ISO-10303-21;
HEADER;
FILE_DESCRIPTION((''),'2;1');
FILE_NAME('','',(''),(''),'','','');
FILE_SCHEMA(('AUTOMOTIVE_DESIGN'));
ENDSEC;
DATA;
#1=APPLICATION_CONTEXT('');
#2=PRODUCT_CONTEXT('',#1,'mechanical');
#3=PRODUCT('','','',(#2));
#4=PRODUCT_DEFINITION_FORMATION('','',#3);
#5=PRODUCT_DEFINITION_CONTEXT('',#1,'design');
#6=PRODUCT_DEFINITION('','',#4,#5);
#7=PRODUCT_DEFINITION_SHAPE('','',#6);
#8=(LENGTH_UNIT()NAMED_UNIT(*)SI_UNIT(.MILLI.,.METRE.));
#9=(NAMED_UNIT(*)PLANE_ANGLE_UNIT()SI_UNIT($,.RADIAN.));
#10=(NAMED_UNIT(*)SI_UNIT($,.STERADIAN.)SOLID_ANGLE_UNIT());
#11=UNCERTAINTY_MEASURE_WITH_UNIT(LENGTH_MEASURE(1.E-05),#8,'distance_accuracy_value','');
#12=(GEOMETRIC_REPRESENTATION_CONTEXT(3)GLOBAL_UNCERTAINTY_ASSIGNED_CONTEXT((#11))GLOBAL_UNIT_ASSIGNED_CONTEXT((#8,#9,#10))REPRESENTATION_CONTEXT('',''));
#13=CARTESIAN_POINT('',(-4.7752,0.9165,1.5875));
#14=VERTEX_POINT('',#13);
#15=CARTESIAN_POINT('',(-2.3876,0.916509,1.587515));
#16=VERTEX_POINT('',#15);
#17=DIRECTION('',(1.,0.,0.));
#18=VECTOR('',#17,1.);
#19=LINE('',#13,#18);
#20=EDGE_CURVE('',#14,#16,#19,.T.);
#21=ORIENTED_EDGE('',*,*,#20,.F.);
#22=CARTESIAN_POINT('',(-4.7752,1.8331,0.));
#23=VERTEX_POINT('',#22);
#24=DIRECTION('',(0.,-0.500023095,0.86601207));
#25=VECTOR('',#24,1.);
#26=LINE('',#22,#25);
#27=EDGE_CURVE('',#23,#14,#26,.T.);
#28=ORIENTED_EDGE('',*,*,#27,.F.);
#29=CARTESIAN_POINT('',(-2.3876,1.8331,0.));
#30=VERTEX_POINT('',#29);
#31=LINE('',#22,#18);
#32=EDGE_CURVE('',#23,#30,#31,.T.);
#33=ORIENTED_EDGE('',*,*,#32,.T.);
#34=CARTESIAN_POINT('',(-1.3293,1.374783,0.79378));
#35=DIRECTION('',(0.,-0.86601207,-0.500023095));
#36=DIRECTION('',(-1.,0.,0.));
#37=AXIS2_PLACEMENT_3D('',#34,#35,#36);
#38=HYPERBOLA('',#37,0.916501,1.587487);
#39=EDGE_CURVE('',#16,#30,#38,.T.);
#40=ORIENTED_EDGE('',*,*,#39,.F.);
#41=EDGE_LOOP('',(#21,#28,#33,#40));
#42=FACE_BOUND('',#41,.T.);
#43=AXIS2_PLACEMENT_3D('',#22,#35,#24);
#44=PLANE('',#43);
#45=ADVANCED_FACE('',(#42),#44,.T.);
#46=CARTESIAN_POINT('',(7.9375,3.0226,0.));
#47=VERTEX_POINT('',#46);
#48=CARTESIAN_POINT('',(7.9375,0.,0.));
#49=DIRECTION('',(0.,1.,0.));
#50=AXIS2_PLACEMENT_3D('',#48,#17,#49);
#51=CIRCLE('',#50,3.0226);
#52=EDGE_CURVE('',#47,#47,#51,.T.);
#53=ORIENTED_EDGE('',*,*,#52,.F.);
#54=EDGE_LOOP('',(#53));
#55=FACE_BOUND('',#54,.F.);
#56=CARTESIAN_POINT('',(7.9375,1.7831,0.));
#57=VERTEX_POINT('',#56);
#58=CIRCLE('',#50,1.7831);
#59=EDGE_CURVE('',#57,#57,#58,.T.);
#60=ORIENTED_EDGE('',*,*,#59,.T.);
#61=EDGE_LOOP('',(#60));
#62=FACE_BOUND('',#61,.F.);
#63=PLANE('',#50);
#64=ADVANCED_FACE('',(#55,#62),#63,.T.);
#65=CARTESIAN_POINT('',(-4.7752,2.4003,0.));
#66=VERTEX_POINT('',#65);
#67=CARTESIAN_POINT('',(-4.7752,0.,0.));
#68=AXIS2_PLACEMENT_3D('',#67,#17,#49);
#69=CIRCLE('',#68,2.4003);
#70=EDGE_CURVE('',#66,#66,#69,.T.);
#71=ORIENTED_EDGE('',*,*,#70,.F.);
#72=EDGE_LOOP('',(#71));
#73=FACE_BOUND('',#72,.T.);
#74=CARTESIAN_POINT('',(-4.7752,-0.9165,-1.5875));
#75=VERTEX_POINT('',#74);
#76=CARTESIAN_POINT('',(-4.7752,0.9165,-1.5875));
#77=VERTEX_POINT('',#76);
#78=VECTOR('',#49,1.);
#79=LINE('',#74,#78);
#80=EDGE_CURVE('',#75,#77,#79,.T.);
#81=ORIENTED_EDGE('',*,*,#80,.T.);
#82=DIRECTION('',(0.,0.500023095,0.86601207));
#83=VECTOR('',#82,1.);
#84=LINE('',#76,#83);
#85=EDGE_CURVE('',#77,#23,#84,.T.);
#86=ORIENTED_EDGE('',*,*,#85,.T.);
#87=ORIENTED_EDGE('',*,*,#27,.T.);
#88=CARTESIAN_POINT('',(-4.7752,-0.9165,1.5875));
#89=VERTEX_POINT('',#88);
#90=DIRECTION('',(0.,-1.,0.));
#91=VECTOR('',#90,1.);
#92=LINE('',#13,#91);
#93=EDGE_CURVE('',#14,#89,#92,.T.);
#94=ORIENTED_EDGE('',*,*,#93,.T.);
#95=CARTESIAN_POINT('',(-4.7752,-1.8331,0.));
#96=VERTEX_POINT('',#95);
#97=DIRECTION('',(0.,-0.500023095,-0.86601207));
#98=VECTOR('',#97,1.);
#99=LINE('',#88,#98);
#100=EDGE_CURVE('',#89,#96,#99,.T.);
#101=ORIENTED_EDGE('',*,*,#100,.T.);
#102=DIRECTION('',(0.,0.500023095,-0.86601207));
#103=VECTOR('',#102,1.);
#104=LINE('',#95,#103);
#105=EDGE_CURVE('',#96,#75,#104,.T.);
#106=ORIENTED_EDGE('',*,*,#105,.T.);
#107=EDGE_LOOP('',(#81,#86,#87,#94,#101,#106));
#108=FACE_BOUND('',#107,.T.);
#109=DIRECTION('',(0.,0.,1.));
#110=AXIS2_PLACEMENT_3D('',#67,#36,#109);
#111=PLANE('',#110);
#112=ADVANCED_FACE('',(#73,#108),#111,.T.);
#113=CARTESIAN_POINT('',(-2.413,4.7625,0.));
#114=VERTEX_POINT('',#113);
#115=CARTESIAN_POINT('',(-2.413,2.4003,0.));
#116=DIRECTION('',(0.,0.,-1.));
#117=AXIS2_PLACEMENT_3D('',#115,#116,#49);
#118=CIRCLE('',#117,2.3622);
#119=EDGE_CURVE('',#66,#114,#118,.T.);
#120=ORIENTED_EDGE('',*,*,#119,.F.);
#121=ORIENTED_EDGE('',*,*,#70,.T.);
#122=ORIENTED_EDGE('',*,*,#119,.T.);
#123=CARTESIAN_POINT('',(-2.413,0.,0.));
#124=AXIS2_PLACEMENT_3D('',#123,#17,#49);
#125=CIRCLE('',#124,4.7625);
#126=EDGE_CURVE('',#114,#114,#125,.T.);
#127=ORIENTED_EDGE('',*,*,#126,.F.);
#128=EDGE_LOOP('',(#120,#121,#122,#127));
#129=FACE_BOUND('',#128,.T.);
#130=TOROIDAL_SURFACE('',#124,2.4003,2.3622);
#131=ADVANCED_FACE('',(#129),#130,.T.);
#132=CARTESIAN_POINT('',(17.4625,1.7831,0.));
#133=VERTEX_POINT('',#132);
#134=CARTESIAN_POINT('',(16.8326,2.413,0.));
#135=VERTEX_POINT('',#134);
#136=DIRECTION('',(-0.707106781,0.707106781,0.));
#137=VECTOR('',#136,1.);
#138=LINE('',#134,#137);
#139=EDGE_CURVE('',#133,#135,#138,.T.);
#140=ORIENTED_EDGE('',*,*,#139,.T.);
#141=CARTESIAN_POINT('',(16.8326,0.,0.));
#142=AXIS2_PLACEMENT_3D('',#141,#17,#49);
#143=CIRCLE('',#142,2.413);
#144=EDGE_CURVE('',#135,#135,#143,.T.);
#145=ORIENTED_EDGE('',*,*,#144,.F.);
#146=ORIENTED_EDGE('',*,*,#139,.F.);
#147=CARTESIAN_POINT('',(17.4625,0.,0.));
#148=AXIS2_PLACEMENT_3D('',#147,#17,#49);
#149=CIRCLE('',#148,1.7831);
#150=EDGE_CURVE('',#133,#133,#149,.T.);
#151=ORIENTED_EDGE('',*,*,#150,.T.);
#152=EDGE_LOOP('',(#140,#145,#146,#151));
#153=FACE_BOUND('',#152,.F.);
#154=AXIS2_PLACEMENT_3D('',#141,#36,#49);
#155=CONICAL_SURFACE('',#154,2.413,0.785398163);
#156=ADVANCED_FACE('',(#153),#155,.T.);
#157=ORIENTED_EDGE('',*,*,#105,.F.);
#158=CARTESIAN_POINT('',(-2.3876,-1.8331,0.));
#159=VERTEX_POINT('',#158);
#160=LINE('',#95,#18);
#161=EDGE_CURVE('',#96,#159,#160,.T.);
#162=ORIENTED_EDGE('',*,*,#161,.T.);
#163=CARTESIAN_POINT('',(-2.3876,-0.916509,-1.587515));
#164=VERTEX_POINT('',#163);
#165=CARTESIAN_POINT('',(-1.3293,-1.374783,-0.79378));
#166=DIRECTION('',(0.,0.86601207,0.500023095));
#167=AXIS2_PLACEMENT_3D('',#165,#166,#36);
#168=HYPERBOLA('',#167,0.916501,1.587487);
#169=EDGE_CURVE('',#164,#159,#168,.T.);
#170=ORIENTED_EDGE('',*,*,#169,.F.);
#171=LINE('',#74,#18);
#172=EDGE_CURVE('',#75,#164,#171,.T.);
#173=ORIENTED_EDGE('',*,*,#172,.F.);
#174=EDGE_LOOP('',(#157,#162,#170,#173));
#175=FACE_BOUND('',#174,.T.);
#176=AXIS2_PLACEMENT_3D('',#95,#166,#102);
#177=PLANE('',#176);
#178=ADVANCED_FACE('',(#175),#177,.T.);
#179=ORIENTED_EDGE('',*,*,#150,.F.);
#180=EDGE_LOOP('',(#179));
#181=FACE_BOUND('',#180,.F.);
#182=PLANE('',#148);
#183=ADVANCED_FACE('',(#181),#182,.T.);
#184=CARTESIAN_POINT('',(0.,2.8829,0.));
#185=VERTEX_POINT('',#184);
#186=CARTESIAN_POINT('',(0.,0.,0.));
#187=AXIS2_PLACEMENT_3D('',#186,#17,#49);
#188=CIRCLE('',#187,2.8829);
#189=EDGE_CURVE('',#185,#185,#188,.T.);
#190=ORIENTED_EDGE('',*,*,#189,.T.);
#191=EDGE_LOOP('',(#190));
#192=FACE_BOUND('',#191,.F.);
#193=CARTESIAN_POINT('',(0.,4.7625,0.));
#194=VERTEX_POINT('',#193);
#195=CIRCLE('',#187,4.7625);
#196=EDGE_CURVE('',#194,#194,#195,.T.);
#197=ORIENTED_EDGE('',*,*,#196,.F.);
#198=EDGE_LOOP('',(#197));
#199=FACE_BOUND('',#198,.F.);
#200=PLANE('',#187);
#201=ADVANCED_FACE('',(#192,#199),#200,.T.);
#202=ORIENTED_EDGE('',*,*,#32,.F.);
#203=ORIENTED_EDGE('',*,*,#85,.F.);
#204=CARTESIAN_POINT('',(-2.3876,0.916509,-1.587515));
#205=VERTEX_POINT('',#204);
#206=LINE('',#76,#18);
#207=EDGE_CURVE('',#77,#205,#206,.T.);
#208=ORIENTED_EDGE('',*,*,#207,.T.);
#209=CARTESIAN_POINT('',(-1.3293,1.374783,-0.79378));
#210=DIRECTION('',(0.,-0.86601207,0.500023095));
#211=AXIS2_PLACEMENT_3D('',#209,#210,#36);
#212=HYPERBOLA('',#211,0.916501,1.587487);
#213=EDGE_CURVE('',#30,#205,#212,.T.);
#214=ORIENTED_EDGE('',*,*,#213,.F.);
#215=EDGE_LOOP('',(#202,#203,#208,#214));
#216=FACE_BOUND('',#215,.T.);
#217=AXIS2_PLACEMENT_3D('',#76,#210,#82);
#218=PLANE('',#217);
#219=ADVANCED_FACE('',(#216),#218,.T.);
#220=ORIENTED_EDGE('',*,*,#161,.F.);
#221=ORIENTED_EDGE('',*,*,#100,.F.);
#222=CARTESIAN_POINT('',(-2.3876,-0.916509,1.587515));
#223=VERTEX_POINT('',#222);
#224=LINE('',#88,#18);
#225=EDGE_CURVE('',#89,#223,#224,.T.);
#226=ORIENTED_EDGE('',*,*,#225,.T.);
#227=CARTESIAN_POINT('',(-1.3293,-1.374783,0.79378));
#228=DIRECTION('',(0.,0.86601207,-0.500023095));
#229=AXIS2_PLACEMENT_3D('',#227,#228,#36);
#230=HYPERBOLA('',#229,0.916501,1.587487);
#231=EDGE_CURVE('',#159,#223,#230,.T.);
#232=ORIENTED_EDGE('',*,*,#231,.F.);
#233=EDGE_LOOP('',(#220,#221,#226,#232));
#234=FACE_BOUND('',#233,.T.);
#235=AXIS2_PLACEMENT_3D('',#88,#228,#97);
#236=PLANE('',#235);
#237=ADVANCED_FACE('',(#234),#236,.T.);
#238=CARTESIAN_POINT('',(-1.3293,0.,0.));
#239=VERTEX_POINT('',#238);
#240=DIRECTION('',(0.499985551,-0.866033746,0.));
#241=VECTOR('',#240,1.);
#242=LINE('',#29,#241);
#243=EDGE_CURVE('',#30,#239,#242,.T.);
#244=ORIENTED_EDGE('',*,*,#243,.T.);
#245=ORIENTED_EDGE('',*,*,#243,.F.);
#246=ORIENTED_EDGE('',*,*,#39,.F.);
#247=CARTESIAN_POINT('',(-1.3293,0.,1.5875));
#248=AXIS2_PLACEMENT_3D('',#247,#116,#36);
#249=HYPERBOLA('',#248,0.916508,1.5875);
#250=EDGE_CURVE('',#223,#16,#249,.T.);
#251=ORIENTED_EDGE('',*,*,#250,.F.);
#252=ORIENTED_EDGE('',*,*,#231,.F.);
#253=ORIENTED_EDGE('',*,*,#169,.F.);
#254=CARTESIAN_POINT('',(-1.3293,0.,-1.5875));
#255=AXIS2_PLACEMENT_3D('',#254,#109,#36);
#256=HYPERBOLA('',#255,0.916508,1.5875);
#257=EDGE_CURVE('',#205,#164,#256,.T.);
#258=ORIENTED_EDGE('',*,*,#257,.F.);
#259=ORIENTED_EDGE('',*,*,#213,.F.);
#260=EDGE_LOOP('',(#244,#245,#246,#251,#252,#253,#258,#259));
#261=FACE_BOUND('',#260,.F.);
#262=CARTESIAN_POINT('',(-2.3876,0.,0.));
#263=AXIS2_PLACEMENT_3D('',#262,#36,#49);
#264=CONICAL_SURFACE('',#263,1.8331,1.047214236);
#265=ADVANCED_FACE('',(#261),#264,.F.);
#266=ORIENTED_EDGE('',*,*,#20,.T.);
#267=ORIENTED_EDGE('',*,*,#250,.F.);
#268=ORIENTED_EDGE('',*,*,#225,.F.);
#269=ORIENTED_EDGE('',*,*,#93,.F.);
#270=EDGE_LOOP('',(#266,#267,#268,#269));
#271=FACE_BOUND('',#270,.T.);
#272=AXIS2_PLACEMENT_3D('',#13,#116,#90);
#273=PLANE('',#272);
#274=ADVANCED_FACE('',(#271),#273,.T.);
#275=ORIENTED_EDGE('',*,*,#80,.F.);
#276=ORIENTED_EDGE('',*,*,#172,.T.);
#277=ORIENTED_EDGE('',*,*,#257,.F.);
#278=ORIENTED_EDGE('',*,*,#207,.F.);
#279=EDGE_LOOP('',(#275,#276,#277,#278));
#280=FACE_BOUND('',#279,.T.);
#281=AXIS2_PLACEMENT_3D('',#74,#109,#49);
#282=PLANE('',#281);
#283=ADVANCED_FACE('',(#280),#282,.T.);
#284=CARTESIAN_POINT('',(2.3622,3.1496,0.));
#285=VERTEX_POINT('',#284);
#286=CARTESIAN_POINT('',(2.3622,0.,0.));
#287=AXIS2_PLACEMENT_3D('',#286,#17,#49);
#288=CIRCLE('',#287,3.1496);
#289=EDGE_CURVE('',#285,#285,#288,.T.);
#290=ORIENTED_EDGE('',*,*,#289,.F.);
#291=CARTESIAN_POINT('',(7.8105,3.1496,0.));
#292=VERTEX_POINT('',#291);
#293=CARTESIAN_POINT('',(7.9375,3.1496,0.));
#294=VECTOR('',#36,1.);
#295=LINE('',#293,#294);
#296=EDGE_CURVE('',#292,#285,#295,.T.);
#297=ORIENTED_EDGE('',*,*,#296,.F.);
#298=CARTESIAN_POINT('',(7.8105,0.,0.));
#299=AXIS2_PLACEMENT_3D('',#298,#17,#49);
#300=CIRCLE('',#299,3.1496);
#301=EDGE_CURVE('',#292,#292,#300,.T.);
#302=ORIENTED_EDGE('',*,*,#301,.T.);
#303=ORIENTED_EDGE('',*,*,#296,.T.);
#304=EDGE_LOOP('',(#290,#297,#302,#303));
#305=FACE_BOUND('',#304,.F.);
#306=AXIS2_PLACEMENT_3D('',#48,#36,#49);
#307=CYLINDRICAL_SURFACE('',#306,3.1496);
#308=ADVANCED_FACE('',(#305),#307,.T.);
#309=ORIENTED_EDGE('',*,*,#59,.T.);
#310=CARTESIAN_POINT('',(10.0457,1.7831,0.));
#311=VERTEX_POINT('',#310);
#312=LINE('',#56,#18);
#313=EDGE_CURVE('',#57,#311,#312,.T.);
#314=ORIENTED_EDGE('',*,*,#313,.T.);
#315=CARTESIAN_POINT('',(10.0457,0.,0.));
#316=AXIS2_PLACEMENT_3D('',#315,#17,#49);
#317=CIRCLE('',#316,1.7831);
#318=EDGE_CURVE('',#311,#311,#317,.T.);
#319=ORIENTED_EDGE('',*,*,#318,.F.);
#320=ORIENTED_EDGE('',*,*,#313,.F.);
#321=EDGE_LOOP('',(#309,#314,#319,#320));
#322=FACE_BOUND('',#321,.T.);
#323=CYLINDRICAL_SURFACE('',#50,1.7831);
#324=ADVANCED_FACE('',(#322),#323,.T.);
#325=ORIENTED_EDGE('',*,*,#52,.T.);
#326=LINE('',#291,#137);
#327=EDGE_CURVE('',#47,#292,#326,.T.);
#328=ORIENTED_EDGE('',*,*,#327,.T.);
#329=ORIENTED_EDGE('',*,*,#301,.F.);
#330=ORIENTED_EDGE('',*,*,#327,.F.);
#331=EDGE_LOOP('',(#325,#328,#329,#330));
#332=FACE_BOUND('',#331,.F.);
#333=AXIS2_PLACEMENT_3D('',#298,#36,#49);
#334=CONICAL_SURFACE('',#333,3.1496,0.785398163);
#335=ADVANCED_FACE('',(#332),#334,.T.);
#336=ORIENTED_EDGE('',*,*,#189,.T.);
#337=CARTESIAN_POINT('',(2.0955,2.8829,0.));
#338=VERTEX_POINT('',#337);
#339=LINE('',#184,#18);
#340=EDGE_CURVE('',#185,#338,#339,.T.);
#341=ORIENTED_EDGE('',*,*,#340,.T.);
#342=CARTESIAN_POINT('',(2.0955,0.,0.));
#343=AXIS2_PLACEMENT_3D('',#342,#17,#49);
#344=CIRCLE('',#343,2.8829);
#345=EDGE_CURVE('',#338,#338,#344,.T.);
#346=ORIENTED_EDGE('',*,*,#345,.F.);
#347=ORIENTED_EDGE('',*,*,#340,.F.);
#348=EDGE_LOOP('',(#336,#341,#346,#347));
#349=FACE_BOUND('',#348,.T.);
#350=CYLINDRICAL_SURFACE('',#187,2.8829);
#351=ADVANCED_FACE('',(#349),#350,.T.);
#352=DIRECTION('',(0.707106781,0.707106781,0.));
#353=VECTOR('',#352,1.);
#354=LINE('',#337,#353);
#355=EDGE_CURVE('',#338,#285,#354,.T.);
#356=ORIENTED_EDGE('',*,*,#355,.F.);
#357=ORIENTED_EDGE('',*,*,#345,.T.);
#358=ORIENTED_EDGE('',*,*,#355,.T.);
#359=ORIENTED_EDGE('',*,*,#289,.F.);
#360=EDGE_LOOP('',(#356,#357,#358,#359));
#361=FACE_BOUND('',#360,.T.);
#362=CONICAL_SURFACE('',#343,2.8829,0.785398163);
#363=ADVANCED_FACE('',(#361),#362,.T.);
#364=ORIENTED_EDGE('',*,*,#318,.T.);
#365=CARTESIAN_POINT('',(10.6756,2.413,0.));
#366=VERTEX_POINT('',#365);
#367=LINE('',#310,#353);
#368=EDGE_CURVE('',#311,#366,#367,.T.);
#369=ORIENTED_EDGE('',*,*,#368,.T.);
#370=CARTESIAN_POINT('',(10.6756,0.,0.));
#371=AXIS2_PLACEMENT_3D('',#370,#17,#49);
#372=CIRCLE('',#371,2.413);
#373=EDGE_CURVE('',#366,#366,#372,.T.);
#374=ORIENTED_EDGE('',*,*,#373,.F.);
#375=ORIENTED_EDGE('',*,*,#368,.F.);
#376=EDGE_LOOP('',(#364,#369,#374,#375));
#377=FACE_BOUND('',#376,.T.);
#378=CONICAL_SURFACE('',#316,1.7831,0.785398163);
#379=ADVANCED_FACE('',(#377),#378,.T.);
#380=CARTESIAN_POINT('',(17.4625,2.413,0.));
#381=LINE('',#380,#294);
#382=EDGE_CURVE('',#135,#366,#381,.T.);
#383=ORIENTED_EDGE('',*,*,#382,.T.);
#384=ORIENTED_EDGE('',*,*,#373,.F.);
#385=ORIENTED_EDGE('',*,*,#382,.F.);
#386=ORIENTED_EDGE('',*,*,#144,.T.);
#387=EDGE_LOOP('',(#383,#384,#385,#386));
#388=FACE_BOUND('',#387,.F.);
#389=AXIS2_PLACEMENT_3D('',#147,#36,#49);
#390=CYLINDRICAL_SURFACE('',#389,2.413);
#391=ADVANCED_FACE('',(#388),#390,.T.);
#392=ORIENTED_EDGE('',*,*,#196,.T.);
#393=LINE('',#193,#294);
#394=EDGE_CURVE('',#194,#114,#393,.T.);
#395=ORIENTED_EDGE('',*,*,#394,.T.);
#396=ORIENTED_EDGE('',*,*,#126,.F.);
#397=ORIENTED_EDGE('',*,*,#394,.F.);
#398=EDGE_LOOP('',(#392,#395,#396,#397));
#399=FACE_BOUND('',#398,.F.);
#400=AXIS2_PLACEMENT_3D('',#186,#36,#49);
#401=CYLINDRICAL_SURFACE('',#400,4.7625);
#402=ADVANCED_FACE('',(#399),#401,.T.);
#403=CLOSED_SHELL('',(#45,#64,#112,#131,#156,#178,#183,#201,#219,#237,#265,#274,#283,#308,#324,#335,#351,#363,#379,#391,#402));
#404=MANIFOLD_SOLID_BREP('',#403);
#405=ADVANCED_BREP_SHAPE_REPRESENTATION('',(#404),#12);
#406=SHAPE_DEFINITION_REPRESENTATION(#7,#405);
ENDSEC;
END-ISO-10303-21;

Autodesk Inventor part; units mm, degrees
ref_plane "YZ Plane" through (0, 0, 0) normal (1, 0, 0) x (0, 1, 0)
ref_plane "XZ Plane" through (0, 0, 0) normal (0, 1, 0) x (-1, 0, 0)
ref_plane "XY Plane" through (0, 0, 0) normal (0, 0, 1) x (1, 0, 0)
sketch "Sketch1" plane through (0, 0, 0) normal (0, 0, 1) x (1, 0, 0)
  line L0 (-1.3293, 0) -> (17.4625, 0)
  line L1 (17.4625, 0) -> (17.4625, 2.413)
  line L2 (17.4625, 2.413) -> (7.9375, 2.413)
  line L3 (7.9375, 2.413) -> (7.9375, 3.1496)
  line L4 (7.9375, 3.1496) -> (0, 3.1496)
  line L5 (0, 3.1496) -> (0, 4.7625)
  line L6 (0, 4.7625) -> (-4.7752, 4.7625)
  line L7 (-4.7752, 4.7625) -> (-4.7752, 1.8331)
  line L8 (-4.7752, 1.8331) -> (-2.3876, 1.8331)
  line L9 (-2.3876, 1.8331) -> (-1.3293, 0)
  line L10 (-8.9052, 0) -> (20.005, 0) projected
  line L11 (0, -0.9525) -> (0, 5.715) projected
  line L12 (0, 2.8829) -> (2.0955, 2.8829)
  line L13 (2.0955, 2.8829) -> (2.3622, 3.1496)
  line L14 (7.9375, 2.413) -> (7.9375, 1.7831)
  line L15 (7.9375, 1.7831) -> (10.0457, 1.7831)
  line L16 (10.0457, 1.7831) -> (10.6756, 2.413)
  line L17 (0, 2.8829) -> (0, 3.1496)
  dimension "d0" = 4.826
  dimension "d1" = 6.2992
  dimension "d2" = 9.525
  dimension "d3" = 3.6662
  dimension "d5" = 9.525
  dimension "d6" = 4.7752
  dimension "d7" = 2.3876
  dimension "d8" = 60
  dimension "d9" = 17.4625
  dimension "d19" = 45
  dimension "d20" = 5.7658
  dimension "d21" = 3.5662
  dimension "d22" = 45
  dimension "d23" = 2.1082
  dimension "d34" = 2.3622
revolve "Body" add sketch "Sketch1" angle 360 about axis through (-1.3293, 0, 0) along (1, 0, 0)
sketch "Sketch2" plane through (-4.7752, 0, 0) normal (-1, 0, 0) x (0, 0, 1)
  circle A0 centre (0, 0) radius 1.8331 projected
  line L0 (0, 1.8331) -> (1.5875, 0.9165)
  line L1 (1.5875, 0.9165) -> (1.5875, -0.9165)
  line L2 (1.5875, -0.9165) -> (0, -1.8331)
  line L3 (0, -1.8331) -> (-1.5875, -0.9165)
  line L4 (-1.5875, -0.9165) -> (-1.5875, 0.9165)
  line L5 (-1.5875, 0.9165) -> (0, 1.8331)
  point P0 (0, 0)
extrude "Slot" add sketch "Sketch2" against normal up to next contours A0 L1 | L0 A0 | A0 L2 | L5 A0 | A0 L3 | L4 A0
fillet "Fillet1" radius 2.3622 1 edges at (-4.7752, -4.7625, 0)
thread "Thread" size "10-24 UNC" class "2A" standard "ANSI Unified Screw Threads" length 9.525
chamfer "Chamfer1" distance 0.6299 distance2 0.6299 1 edges at (17.4625, -2.413, 0) measured on face at (17.4625, 0.4138, 0.5798)
chamfer "Chamfer2" distance 0.127 angle 45 1 edges at (7.9375, -3.1496, 0) measured on face at (7.9375, 2.8502, -0.4437)
revolve "Groove1" cut sketch "Sketch1" angle 360 about axis through (-1.3293, 0, 0) along (1, 0, 0) contours L11 L4 L13 L12
revolve "Groove2" cut sketch "Sketch1" angle 360 about axis through (-1.3293, 0, 0) along (1, 0, 0) contours L16 L15 L14 L2
equation "\"d0\" = NND"
equation "\"d1\" = BDM"
equation "\"d2\" = KOD"
equation "\"d3\" = 1.1547 * SW"
equation "\"d5\" = GEL"
equation "\"d6\" = KOH"
equation "\"d7\" = INTI + LOTI"
equation "\"d8\" = 0.5 * ANG"
equation "\"d9\" = NLG"
equation "\"d19\" = FAWI4"
equation "\"d20\" = BDMM"
equation "\"d21\" = GD1"
equation "\"d22\" = FAWI2"
equation "\"d23\" = GAL"
equation "\"d34\" = GAL2"
equation "\"d13\" = RR"
equation "\"d25\" = GEL"
equation "\"d14\" = -0.5 * SPD + 0.5 * NND"
equation "\"d15\" = GUL"
equation "\"d32\" = -0.5 * NND + 0.5 * BDM"
equation "\"NND\" = 4.826"
equation "\"NLG\" = 17.4625"
equation "\"GEL\" = 9.525"
equation "\"KOD\" = 9.525"
equation "\"KOH\" = 4.7752"
equation "\"INTI\" = 2.3876"
equation "\"GAL\" = 2.1082"
equation "\"GUL\" = 0.62992"
equation "\"SPD\" = GD1"
equation "\"BDM\" = 6.2992"
equation "\"ANG\" = 120deg"
equation "\"FAWI2\" = 45deg"
equation "\"FAWI3\" = 45deg"
equation "\"FAWI4\" = 45deg"
equation "\"RR\" = 2.3622"
equation "\"SW\" = 3.175"
equation "\"BDMM\" = 5.7658"
equation "\"GAL2\" = RR"
equation "\"LOTI\" = 0"
equation "\"GD1\" = 3.56616"
equation "\"BOR\" = SW"
equation "\"SLG\" = 6.35"
equation "\"THREADDIA\" = 4.826"
equation "\"E0\" = 1.155 * SW"
equation "\"FAWI1\" = 45deg"
equation "\"TOA\" = 30deg"
equation "\"PHH\" = RR"
equation "\"HHPTC\" = 1.05842"
equation "\"GD0\" = 3.3782"
equation "\"KOH1\" = 3.9878"
equation "\"BDMN\" = 6.35"
properties part number "ANSI B18.3 - 0.250 x 0.25 ANSI B18.3" material "Steel, Mild"
